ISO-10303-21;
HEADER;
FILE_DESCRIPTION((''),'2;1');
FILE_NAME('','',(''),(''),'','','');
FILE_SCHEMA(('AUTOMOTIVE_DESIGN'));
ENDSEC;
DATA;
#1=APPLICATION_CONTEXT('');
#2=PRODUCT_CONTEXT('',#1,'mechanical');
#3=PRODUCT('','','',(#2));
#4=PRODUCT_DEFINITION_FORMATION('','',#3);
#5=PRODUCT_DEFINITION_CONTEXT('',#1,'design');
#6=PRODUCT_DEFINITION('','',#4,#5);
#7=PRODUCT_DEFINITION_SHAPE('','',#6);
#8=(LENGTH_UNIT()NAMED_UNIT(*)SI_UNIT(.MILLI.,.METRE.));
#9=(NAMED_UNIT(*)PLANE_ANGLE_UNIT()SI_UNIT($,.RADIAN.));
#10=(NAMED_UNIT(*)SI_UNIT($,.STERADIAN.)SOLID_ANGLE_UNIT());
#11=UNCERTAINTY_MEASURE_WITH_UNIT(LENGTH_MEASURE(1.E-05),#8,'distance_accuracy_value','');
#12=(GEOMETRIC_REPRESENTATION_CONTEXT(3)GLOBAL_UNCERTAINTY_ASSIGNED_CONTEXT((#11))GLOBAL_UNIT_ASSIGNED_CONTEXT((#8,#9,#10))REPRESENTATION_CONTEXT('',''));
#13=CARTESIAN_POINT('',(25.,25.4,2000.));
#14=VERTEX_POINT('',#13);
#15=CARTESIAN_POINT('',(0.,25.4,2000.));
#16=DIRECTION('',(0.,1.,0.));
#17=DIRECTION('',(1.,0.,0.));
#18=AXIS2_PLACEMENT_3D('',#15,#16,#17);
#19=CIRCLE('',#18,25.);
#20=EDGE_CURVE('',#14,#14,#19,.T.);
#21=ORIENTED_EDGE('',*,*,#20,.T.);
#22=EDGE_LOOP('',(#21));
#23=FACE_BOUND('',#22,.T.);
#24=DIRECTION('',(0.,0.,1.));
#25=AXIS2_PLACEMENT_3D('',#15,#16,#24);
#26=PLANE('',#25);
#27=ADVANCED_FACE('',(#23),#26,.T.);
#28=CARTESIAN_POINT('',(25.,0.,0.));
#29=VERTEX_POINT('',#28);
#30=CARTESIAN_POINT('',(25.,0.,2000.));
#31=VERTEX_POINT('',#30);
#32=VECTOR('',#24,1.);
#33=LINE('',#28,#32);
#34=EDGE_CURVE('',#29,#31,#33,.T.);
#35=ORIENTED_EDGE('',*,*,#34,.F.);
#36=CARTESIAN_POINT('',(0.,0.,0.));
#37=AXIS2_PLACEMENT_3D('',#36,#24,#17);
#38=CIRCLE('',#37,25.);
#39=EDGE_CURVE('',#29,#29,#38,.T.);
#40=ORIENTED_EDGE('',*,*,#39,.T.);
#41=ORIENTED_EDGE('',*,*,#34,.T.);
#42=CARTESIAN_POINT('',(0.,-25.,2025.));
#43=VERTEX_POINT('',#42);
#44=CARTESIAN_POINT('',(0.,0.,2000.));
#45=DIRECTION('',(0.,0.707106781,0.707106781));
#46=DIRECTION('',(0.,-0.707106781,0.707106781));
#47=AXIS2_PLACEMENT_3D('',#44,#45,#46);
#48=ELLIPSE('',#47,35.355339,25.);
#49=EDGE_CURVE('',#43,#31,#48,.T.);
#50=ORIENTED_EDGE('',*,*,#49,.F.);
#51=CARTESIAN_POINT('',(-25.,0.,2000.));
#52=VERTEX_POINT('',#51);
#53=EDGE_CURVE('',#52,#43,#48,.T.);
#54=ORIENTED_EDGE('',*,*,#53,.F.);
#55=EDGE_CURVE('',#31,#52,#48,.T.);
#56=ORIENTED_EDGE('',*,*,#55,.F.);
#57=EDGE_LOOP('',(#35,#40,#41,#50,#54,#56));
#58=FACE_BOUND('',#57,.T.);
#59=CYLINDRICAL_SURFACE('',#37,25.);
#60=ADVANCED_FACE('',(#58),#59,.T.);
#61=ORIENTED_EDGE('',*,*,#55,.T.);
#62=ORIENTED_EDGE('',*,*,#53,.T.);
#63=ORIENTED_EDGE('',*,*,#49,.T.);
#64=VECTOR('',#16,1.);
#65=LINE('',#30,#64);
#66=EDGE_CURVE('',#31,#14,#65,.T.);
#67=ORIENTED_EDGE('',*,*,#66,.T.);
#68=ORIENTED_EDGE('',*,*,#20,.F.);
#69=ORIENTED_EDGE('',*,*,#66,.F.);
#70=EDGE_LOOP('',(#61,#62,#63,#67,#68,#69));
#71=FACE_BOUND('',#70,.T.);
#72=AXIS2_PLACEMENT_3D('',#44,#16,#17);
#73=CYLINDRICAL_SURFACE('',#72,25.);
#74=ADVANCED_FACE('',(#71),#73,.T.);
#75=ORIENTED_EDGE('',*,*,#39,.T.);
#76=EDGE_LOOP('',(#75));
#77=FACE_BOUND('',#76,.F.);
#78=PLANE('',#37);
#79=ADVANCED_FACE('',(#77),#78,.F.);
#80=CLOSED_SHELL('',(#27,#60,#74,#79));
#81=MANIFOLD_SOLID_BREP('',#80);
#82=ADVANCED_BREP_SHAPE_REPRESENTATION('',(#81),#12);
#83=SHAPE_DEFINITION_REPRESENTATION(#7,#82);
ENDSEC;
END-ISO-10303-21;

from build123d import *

# Parameters (mm, degrees)
F1_R = 25


with BuildPart() as f2:
    # F2: sweep along a path in F0
    with BuildLine(Plane.YZ) as f2_path:
        Line((0, 0), (0, 1999.999999992))
        Line((0, 1999.999999992), (25.4, 1999.999999992))
    # F1 (on Top) → F2 (sweep)
    with BuildSketch(Plane.XY):
        Circle(F1_R)
    sweep(path=f2_path.line, transition=Transition.RIGHT)


solid = f2.part
